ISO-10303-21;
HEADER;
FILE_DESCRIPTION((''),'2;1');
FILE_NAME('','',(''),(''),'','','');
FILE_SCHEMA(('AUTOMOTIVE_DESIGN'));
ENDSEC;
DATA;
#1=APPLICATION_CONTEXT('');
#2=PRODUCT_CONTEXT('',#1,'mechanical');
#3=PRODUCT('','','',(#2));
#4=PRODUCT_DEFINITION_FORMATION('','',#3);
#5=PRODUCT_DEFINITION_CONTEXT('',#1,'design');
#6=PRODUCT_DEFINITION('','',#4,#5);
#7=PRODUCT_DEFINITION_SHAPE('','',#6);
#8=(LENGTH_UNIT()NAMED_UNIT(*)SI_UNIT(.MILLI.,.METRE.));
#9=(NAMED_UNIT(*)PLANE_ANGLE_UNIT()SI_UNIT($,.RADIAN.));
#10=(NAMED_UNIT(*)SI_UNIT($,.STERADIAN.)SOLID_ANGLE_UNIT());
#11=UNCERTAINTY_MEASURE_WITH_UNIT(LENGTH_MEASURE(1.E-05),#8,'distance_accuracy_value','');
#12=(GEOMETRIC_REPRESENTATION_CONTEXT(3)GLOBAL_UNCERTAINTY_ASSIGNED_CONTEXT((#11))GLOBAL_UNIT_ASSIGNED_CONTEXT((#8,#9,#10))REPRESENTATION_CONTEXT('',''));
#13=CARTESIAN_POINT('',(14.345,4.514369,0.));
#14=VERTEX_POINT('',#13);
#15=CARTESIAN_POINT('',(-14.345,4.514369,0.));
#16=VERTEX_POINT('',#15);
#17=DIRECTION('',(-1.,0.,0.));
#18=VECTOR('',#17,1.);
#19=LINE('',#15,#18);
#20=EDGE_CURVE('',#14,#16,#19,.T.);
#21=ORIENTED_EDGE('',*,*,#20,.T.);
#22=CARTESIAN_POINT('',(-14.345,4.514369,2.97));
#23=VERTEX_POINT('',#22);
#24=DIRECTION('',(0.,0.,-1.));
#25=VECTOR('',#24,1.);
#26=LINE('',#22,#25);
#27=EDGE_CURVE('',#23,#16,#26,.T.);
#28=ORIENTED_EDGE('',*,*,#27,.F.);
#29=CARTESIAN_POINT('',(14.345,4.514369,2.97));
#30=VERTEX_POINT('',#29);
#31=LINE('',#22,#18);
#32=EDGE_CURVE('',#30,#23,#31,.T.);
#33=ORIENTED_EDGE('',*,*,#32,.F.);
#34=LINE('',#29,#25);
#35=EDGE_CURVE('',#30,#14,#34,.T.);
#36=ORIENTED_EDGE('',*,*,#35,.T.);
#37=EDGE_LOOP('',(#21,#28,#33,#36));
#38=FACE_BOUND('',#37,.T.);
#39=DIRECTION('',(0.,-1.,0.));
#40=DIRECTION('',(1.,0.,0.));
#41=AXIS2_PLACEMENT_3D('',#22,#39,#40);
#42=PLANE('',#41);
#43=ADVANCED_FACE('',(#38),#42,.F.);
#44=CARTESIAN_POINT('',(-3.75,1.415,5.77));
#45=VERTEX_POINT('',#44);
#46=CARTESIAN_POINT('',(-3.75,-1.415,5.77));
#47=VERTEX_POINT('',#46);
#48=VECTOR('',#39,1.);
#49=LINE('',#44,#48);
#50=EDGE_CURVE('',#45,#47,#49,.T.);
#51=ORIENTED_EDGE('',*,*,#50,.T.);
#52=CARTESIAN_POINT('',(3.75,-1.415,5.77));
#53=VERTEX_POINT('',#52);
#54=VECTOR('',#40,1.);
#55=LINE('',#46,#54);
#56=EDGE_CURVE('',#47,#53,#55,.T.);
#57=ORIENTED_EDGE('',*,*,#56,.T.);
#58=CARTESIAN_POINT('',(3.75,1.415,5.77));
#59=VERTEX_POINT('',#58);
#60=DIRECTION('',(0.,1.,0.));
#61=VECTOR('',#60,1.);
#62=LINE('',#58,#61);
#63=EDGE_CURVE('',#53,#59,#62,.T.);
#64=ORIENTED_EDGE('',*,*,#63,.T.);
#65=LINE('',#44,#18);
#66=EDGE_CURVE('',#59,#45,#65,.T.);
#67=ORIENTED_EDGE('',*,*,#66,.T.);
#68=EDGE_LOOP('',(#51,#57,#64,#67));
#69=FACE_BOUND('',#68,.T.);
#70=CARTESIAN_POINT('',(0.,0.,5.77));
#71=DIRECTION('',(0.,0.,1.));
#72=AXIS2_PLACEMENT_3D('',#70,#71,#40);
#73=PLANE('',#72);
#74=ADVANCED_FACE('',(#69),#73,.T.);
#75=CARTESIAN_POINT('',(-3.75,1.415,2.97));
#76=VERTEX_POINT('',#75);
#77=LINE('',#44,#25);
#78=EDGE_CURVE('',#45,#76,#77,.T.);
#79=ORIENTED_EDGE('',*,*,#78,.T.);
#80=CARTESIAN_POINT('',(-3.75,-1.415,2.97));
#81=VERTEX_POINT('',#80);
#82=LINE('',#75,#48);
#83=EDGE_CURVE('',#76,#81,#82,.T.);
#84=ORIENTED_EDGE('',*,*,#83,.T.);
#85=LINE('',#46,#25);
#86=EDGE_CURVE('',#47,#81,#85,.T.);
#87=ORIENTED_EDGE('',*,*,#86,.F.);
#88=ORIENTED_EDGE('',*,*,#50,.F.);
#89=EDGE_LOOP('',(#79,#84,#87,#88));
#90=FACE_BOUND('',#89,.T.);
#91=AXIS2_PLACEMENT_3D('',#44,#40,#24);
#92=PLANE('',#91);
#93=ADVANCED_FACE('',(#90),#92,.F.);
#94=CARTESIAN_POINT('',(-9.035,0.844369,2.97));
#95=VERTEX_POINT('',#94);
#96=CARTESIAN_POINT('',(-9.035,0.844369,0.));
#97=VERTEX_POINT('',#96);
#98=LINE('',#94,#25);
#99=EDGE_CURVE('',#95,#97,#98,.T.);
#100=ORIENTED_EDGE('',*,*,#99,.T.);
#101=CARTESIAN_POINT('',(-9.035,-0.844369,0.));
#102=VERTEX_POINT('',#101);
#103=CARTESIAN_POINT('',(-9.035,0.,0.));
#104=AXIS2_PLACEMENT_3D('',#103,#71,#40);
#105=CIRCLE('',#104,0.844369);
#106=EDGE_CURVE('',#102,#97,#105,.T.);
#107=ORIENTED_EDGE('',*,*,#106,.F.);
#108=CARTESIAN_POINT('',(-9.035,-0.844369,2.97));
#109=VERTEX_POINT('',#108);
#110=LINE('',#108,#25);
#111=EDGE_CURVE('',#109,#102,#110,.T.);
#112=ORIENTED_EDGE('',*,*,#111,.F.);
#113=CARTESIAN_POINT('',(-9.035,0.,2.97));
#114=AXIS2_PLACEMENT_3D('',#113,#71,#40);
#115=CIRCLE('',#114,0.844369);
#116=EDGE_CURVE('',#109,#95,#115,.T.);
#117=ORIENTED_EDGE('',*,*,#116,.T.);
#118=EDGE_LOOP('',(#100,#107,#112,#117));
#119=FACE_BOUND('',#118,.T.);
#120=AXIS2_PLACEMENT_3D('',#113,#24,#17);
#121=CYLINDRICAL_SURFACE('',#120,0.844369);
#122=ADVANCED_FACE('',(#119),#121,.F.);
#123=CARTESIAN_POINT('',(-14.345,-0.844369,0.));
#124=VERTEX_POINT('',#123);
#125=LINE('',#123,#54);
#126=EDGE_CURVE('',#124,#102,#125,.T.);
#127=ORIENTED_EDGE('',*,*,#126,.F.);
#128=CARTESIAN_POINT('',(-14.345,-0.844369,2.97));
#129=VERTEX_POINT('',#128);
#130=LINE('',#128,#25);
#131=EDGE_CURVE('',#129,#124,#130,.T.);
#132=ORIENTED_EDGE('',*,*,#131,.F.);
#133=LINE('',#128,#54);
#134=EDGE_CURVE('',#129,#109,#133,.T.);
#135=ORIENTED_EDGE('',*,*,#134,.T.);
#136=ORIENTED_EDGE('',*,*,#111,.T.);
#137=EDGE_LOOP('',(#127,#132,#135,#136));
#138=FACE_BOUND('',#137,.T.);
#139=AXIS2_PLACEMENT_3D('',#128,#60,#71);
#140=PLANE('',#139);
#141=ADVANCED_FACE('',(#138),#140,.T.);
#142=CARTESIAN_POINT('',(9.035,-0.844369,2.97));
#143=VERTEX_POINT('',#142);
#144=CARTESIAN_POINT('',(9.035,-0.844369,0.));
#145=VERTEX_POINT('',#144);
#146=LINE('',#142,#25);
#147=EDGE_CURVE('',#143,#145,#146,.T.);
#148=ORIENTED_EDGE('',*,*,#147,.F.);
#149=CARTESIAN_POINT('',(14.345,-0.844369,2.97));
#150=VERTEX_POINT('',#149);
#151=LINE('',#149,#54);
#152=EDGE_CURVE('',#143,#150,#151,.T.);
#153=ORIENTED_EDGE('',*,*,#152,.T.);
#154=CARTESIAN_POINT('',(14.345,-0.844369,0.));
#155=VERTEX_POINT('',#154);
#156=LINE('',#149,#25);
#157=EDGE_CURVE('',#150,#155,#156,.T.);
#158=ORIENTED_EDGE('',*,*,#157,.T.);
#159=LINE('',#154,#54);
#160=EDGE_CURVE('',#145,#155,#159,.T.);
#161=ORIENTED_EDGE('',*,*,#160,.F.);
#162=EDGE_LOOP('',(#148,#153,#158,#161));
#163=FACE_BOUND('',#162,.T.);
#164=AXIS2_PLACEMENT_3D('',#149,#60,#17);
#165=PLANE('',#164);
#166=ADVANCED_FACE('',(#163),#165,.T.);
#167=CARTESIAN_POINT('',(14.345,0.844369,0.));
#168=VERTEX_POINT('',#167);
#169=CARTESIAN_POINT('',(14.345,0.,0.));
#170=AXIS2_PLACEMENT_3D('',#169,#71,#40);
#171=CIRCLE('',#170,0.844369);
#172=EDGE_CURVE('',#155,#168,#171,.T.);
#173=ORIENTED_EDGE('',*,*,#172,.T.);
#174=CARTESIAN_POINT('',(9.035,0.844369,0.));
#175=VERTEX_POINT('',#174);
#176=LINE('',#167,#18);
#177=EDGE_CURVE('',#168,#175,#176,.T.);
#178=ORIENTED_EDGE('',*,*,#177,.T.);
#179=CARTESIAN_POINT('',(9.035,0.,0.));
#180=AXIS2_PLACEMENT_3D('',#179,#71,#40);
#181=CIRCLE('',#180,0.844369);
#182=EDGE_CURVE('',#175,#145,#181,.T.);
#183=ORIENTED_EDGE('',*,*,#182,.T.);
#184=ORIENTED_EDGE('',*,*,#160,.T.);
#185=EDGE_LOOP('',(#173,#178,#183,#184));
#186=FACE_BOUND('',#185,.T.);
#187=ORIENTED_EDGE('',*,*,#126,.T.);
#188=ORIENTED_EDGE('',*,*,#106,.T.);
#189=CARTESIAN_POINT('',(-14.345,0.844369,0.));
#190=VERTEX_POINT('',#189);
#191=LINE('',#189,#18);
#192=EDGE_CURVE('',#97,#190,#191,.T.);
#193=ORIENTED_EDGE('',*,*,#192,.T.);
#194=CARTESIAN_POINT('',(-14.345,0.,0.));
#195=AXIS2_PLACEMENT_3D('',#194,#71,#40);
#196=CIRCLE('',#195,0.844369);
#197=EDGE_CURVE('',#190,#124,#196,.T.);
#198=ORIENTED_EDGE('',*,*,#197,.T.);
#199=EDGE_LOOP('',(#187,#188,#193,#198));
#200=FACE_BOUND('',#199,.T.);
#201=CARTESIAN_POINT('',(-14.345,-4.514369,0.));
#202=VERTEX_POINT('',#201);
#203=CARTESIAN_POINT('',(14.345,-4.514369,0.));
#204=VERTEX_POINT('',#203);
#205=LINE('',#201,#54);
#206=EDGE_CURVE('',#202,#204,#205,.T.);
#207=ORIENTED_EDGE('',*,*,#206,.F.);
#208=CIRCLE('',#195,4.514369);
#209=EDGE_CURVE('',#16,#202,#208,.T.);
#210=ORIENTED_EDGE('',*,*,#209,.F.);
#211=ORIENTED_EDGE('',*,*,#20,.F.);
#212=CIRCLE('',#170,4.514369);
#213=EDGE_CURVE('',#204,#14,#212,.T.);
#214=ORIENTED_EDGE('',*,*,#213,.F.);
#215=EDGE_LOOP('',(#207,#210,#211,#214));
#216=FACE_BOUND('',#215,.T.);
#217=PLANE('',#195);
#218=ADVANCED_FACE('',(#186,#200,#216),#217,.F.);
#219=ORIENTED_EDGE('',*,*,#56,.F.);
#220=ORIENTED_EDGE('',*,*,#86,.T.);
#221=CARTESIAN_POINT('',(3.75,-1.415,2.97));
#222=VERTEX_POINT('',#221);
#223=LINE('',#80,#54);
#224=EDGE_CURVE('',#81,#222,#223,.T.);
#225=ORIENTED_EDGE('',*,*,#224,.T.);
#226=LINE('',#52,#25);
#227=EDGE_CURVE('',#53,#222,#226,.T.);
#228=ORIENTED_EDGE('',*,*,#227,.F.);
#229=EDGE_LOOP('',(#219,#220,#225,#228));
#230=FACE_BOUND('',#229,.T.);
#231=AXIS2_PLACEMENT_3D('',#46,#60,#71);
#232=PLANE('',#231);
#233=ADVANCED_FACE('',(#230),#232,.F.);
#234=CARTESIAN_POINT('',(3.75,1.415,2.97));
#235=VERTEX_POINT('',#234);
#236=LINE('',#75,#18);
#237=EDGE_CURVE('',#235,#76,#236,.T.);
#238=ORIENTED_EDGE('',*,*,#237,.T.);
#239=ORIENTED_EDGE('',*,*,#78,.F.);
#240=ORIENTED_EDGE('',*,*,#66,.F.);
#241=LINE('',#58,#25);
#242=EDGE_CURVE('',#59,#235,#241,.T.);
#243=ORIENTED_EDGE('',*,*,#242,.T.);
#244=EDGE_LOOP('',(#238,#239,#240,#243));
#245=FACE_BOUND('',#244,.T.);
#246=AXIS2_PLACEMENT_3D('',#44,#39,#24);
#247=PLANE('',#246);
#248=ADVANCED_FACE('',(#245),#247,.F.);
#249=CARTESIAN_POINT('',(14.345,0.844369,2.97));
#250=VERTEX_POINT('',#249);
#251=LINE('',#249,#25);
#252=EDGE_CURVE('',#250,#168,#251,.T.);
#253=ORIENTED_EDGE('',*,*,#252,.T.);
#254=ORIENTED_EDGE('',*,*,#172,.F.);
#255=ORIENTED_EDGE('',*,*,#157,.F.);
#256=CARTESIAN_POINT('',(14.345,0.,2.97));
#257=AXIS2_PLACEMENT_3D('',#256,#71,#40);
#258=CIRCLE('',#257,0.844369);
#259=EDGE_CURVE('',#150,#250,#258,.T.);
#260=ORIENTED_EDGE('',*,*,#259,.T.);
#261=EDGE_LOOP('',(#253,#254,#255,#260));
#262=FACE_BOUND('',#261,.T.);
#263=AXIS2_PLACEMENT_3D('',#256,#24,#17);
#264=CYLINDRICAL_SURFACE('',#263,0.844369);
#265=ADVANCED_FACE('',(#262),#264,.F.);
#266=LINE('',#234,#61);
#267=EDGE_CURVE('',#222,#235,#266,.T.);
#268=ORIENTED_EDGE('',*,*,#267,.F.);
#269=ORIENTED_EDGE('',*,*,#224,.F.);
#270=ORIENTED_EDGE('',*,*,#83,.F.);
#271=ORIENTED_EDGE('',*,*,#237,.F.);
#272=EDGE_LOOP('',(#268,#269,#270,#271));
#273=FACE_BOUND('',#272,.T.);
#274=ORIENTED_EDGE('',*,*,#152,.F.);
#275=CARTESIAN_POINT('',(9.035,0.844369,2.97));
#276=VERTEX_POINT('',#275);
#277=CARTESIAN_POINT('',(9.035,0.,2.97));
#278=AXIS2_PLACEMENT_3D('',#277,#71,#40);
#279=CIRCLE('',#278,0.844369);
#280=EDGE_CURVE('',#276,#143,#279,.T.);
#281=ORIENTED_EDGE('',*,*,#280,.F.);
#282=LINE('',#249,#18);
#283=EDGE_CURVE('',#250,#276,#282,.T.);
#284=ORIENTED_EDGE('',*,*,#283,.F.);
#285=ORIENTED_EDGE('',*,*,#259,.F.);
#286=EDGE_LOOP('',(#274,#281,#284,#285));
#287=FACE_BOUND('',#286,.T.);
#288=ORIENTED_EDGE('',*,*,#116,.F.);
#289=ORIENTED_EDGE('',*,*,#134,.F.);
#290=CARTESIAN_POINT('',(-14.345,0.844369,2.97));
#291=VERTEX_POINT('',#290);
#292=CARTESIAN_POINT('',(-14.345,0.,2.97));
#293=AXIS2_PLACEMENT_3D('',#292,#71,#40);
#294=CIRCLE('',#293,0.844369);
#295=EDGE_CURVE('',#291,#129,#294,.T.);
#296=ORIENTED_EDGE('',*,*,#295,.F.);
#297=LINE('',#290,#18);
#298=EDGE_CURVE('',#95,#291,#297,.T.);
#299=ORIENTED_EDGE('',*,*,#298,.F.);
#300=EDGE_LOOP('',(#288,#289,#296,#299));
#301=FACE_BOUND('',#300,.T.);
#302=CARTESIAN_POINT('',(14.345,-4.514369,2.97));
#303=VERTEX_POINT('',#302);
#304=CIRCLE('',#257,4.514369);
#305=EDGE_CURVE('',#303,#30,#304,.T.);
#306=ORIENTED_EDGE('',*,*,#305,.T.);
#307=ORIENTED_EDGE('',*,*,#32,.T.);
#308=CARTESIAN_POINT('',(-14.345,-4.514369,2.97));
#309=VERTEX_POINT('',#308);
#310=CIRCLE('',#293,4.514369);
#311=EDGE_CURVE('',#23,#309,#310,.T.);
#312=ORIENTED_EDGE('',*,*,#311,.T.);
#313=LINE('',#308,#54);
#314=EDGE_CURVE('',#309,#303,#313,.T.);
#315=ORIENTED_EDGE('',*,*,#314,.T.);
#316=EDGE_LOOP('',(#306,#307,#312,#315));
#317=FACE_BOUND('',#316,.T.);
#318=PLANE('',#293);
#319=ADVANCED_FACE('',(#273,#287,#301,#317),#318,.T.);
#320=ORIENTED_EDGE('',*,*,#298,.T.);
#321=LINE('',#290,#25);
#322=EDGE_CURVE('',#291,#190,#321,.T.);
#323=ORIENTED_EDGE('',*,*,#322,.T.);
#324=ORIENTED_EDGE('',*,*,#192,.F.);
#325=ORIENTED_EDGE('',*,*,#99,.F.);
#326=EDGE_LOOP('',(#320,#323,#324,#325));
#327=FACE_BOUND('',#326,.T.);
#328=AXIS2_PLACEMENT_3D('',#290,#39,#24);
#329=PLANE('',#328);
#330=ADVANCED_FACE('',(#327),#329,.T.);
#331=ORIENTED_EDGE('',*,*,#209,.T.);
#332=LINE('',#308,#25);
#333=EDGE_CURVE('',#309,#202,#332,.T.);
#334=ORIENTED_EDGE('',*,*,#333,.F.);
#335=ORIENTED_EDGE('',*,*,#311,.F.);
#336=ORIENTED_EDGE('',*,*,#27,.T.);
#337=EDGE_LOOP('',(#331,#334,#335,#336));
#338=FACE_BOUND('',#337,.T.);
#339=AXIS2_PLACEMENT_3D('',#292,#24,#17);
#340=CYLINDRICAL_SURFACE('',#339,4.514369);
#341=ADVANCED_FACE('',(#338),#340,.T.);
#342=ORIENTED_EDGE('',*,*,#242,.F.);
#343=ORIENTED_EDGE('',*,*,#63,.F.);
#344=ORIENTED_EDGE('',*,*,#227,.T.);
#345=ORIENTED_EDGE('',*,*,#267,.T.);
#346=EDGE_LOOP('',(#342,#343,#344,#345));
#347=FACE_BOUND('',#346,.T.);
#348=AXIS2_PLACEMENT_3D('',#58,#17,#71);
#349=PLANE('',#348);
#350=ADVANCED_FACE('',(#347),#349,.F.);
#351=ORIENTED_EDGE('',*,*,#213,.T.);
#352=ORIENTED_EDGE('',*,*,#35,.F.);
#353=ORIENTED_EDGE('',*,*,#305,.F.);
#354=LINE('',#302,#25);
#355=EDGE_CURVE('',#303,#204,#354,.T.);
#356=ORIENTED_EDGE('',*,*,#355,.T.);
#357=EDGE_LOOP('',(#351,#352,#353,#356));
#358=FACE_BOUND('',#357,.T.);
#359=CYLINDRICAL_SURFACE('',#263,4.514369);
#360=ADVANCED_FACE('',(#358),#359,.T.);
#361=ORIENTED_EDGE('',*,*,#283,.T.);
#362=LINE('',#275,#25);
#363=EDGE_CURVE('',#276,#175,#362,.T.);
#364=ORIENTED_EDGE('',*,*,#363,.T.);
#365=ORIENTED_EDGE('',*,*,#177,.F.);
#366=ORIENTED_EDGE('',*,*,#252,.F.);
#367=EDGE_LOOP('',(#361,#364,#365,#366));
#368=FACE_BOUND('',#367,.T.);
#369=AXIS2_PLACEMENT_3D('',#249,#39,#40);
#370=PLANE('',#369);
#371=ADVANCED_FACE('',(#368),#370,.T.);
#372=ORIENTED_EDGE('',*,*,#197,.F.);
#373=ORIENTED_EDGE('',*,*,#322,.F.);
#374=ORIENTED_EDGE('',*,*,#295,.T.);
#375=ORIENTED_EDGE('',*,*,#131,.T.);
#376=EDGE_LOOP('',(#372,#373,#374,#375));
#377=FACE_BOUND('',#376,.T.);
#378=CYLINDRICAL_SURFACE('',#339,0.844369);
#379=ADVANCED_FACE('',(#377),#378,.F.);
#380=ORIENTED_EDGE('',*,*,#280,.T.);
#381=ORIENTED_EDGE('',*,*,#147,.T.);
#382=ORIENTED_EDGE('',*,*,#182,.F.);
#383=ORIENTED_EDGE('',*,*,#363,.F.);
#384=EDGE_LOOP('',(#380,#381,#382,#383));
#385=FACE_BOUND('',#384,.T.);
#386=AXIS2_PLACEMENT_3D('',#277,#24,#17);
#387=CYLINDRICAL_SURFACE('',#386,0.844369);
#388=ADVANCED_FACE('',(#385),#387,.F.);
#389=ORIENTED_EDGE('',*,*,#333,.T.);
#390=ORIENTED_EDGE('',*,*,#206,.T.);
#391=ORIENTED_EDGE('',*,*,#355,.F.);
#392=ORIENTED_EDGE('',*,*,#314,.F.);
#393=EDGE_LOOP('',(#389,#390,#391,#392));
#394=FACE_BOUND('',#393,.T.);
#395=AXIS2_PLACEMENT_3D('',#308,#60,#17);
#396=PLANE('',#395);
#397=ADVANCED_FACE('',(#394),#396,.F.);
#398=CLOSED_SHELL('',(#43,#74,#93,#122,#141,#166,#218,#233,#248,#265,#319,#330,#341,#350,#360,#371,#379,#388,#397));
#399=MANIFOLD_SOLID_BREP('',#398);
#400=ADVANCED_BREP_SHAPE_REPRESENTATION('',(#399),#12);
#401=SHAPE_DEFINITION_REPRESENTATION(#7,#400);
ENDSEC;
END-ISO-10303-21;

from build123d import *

# Parameters (mm, degrees)
BOSS_EXTRUDE2_DEPTH = 2.97
SKETCH5_W           = 7.5
SKETCH5_H           = 2.83
BOSS_EXTRUDE3_DEPTH = 2.8


with BuildPart() as part:
    # Sketch3 → Boss-Extrude2 (new body)
    with BuildSketch(Plane.XY):
        with BuildLine():
            Line((-14.345, 4.51436853), (14.345, 4.51436853))
            ThreePointArc((14.345, 4.51436853), (18.85936853, 0), (14.345, -4.51436853))
            Line((14.345, -4.51436853), (-14.345, -4.51436853))
            ThreePointArc((-14.345, -4.51436853), (-18.85936853, 0), (-14.345, 4.51436853))
        make_face()
        with BuildLine():
            Line((-14.345, 0.84436853), (-9.035, 0.84436853))
            ThreePointArc((-9.035, 0.84436853), (-8.19063147, 0), (-9.035, -0.84436853))
            Line((-9.035, -0.84436853), (-14.345, -0.84436853))
            ThreePointArc((-14.345, -0.84436853), (-15.18936853, 0), (-14.345, 0.84436853))
        make_face(mode=Mode.SUBTRACT)
        with BuildLine():
            Line((14.345, -0.84436853), (9.035, -0.84436853))
            ThreePointArc((9.035, -0.84436853), (8.19063147, 0), (9.035, 0.84436853))
            Line((9.035, 0.84436853), (14.345, 0.84436853))
            ThreePointArc((14.345, 0.84436853), (15.18936853, 0), (14.345, -0.84436853))
        make_face(mode=Mode.SUBTRACT)
    extrude(amount=BOSS_EXTRUDE2_DEPTH)

    # Sketch5 → Boss-Extrude3 (add)
    with BuildSketch(Plane.XY.offset(2.97)):
        Rectangle(SKETCH5_W, SKETCH5_H)
    extrude(amount=BOSS_EXTRUDE3_DEPTH)


solid = part.part
